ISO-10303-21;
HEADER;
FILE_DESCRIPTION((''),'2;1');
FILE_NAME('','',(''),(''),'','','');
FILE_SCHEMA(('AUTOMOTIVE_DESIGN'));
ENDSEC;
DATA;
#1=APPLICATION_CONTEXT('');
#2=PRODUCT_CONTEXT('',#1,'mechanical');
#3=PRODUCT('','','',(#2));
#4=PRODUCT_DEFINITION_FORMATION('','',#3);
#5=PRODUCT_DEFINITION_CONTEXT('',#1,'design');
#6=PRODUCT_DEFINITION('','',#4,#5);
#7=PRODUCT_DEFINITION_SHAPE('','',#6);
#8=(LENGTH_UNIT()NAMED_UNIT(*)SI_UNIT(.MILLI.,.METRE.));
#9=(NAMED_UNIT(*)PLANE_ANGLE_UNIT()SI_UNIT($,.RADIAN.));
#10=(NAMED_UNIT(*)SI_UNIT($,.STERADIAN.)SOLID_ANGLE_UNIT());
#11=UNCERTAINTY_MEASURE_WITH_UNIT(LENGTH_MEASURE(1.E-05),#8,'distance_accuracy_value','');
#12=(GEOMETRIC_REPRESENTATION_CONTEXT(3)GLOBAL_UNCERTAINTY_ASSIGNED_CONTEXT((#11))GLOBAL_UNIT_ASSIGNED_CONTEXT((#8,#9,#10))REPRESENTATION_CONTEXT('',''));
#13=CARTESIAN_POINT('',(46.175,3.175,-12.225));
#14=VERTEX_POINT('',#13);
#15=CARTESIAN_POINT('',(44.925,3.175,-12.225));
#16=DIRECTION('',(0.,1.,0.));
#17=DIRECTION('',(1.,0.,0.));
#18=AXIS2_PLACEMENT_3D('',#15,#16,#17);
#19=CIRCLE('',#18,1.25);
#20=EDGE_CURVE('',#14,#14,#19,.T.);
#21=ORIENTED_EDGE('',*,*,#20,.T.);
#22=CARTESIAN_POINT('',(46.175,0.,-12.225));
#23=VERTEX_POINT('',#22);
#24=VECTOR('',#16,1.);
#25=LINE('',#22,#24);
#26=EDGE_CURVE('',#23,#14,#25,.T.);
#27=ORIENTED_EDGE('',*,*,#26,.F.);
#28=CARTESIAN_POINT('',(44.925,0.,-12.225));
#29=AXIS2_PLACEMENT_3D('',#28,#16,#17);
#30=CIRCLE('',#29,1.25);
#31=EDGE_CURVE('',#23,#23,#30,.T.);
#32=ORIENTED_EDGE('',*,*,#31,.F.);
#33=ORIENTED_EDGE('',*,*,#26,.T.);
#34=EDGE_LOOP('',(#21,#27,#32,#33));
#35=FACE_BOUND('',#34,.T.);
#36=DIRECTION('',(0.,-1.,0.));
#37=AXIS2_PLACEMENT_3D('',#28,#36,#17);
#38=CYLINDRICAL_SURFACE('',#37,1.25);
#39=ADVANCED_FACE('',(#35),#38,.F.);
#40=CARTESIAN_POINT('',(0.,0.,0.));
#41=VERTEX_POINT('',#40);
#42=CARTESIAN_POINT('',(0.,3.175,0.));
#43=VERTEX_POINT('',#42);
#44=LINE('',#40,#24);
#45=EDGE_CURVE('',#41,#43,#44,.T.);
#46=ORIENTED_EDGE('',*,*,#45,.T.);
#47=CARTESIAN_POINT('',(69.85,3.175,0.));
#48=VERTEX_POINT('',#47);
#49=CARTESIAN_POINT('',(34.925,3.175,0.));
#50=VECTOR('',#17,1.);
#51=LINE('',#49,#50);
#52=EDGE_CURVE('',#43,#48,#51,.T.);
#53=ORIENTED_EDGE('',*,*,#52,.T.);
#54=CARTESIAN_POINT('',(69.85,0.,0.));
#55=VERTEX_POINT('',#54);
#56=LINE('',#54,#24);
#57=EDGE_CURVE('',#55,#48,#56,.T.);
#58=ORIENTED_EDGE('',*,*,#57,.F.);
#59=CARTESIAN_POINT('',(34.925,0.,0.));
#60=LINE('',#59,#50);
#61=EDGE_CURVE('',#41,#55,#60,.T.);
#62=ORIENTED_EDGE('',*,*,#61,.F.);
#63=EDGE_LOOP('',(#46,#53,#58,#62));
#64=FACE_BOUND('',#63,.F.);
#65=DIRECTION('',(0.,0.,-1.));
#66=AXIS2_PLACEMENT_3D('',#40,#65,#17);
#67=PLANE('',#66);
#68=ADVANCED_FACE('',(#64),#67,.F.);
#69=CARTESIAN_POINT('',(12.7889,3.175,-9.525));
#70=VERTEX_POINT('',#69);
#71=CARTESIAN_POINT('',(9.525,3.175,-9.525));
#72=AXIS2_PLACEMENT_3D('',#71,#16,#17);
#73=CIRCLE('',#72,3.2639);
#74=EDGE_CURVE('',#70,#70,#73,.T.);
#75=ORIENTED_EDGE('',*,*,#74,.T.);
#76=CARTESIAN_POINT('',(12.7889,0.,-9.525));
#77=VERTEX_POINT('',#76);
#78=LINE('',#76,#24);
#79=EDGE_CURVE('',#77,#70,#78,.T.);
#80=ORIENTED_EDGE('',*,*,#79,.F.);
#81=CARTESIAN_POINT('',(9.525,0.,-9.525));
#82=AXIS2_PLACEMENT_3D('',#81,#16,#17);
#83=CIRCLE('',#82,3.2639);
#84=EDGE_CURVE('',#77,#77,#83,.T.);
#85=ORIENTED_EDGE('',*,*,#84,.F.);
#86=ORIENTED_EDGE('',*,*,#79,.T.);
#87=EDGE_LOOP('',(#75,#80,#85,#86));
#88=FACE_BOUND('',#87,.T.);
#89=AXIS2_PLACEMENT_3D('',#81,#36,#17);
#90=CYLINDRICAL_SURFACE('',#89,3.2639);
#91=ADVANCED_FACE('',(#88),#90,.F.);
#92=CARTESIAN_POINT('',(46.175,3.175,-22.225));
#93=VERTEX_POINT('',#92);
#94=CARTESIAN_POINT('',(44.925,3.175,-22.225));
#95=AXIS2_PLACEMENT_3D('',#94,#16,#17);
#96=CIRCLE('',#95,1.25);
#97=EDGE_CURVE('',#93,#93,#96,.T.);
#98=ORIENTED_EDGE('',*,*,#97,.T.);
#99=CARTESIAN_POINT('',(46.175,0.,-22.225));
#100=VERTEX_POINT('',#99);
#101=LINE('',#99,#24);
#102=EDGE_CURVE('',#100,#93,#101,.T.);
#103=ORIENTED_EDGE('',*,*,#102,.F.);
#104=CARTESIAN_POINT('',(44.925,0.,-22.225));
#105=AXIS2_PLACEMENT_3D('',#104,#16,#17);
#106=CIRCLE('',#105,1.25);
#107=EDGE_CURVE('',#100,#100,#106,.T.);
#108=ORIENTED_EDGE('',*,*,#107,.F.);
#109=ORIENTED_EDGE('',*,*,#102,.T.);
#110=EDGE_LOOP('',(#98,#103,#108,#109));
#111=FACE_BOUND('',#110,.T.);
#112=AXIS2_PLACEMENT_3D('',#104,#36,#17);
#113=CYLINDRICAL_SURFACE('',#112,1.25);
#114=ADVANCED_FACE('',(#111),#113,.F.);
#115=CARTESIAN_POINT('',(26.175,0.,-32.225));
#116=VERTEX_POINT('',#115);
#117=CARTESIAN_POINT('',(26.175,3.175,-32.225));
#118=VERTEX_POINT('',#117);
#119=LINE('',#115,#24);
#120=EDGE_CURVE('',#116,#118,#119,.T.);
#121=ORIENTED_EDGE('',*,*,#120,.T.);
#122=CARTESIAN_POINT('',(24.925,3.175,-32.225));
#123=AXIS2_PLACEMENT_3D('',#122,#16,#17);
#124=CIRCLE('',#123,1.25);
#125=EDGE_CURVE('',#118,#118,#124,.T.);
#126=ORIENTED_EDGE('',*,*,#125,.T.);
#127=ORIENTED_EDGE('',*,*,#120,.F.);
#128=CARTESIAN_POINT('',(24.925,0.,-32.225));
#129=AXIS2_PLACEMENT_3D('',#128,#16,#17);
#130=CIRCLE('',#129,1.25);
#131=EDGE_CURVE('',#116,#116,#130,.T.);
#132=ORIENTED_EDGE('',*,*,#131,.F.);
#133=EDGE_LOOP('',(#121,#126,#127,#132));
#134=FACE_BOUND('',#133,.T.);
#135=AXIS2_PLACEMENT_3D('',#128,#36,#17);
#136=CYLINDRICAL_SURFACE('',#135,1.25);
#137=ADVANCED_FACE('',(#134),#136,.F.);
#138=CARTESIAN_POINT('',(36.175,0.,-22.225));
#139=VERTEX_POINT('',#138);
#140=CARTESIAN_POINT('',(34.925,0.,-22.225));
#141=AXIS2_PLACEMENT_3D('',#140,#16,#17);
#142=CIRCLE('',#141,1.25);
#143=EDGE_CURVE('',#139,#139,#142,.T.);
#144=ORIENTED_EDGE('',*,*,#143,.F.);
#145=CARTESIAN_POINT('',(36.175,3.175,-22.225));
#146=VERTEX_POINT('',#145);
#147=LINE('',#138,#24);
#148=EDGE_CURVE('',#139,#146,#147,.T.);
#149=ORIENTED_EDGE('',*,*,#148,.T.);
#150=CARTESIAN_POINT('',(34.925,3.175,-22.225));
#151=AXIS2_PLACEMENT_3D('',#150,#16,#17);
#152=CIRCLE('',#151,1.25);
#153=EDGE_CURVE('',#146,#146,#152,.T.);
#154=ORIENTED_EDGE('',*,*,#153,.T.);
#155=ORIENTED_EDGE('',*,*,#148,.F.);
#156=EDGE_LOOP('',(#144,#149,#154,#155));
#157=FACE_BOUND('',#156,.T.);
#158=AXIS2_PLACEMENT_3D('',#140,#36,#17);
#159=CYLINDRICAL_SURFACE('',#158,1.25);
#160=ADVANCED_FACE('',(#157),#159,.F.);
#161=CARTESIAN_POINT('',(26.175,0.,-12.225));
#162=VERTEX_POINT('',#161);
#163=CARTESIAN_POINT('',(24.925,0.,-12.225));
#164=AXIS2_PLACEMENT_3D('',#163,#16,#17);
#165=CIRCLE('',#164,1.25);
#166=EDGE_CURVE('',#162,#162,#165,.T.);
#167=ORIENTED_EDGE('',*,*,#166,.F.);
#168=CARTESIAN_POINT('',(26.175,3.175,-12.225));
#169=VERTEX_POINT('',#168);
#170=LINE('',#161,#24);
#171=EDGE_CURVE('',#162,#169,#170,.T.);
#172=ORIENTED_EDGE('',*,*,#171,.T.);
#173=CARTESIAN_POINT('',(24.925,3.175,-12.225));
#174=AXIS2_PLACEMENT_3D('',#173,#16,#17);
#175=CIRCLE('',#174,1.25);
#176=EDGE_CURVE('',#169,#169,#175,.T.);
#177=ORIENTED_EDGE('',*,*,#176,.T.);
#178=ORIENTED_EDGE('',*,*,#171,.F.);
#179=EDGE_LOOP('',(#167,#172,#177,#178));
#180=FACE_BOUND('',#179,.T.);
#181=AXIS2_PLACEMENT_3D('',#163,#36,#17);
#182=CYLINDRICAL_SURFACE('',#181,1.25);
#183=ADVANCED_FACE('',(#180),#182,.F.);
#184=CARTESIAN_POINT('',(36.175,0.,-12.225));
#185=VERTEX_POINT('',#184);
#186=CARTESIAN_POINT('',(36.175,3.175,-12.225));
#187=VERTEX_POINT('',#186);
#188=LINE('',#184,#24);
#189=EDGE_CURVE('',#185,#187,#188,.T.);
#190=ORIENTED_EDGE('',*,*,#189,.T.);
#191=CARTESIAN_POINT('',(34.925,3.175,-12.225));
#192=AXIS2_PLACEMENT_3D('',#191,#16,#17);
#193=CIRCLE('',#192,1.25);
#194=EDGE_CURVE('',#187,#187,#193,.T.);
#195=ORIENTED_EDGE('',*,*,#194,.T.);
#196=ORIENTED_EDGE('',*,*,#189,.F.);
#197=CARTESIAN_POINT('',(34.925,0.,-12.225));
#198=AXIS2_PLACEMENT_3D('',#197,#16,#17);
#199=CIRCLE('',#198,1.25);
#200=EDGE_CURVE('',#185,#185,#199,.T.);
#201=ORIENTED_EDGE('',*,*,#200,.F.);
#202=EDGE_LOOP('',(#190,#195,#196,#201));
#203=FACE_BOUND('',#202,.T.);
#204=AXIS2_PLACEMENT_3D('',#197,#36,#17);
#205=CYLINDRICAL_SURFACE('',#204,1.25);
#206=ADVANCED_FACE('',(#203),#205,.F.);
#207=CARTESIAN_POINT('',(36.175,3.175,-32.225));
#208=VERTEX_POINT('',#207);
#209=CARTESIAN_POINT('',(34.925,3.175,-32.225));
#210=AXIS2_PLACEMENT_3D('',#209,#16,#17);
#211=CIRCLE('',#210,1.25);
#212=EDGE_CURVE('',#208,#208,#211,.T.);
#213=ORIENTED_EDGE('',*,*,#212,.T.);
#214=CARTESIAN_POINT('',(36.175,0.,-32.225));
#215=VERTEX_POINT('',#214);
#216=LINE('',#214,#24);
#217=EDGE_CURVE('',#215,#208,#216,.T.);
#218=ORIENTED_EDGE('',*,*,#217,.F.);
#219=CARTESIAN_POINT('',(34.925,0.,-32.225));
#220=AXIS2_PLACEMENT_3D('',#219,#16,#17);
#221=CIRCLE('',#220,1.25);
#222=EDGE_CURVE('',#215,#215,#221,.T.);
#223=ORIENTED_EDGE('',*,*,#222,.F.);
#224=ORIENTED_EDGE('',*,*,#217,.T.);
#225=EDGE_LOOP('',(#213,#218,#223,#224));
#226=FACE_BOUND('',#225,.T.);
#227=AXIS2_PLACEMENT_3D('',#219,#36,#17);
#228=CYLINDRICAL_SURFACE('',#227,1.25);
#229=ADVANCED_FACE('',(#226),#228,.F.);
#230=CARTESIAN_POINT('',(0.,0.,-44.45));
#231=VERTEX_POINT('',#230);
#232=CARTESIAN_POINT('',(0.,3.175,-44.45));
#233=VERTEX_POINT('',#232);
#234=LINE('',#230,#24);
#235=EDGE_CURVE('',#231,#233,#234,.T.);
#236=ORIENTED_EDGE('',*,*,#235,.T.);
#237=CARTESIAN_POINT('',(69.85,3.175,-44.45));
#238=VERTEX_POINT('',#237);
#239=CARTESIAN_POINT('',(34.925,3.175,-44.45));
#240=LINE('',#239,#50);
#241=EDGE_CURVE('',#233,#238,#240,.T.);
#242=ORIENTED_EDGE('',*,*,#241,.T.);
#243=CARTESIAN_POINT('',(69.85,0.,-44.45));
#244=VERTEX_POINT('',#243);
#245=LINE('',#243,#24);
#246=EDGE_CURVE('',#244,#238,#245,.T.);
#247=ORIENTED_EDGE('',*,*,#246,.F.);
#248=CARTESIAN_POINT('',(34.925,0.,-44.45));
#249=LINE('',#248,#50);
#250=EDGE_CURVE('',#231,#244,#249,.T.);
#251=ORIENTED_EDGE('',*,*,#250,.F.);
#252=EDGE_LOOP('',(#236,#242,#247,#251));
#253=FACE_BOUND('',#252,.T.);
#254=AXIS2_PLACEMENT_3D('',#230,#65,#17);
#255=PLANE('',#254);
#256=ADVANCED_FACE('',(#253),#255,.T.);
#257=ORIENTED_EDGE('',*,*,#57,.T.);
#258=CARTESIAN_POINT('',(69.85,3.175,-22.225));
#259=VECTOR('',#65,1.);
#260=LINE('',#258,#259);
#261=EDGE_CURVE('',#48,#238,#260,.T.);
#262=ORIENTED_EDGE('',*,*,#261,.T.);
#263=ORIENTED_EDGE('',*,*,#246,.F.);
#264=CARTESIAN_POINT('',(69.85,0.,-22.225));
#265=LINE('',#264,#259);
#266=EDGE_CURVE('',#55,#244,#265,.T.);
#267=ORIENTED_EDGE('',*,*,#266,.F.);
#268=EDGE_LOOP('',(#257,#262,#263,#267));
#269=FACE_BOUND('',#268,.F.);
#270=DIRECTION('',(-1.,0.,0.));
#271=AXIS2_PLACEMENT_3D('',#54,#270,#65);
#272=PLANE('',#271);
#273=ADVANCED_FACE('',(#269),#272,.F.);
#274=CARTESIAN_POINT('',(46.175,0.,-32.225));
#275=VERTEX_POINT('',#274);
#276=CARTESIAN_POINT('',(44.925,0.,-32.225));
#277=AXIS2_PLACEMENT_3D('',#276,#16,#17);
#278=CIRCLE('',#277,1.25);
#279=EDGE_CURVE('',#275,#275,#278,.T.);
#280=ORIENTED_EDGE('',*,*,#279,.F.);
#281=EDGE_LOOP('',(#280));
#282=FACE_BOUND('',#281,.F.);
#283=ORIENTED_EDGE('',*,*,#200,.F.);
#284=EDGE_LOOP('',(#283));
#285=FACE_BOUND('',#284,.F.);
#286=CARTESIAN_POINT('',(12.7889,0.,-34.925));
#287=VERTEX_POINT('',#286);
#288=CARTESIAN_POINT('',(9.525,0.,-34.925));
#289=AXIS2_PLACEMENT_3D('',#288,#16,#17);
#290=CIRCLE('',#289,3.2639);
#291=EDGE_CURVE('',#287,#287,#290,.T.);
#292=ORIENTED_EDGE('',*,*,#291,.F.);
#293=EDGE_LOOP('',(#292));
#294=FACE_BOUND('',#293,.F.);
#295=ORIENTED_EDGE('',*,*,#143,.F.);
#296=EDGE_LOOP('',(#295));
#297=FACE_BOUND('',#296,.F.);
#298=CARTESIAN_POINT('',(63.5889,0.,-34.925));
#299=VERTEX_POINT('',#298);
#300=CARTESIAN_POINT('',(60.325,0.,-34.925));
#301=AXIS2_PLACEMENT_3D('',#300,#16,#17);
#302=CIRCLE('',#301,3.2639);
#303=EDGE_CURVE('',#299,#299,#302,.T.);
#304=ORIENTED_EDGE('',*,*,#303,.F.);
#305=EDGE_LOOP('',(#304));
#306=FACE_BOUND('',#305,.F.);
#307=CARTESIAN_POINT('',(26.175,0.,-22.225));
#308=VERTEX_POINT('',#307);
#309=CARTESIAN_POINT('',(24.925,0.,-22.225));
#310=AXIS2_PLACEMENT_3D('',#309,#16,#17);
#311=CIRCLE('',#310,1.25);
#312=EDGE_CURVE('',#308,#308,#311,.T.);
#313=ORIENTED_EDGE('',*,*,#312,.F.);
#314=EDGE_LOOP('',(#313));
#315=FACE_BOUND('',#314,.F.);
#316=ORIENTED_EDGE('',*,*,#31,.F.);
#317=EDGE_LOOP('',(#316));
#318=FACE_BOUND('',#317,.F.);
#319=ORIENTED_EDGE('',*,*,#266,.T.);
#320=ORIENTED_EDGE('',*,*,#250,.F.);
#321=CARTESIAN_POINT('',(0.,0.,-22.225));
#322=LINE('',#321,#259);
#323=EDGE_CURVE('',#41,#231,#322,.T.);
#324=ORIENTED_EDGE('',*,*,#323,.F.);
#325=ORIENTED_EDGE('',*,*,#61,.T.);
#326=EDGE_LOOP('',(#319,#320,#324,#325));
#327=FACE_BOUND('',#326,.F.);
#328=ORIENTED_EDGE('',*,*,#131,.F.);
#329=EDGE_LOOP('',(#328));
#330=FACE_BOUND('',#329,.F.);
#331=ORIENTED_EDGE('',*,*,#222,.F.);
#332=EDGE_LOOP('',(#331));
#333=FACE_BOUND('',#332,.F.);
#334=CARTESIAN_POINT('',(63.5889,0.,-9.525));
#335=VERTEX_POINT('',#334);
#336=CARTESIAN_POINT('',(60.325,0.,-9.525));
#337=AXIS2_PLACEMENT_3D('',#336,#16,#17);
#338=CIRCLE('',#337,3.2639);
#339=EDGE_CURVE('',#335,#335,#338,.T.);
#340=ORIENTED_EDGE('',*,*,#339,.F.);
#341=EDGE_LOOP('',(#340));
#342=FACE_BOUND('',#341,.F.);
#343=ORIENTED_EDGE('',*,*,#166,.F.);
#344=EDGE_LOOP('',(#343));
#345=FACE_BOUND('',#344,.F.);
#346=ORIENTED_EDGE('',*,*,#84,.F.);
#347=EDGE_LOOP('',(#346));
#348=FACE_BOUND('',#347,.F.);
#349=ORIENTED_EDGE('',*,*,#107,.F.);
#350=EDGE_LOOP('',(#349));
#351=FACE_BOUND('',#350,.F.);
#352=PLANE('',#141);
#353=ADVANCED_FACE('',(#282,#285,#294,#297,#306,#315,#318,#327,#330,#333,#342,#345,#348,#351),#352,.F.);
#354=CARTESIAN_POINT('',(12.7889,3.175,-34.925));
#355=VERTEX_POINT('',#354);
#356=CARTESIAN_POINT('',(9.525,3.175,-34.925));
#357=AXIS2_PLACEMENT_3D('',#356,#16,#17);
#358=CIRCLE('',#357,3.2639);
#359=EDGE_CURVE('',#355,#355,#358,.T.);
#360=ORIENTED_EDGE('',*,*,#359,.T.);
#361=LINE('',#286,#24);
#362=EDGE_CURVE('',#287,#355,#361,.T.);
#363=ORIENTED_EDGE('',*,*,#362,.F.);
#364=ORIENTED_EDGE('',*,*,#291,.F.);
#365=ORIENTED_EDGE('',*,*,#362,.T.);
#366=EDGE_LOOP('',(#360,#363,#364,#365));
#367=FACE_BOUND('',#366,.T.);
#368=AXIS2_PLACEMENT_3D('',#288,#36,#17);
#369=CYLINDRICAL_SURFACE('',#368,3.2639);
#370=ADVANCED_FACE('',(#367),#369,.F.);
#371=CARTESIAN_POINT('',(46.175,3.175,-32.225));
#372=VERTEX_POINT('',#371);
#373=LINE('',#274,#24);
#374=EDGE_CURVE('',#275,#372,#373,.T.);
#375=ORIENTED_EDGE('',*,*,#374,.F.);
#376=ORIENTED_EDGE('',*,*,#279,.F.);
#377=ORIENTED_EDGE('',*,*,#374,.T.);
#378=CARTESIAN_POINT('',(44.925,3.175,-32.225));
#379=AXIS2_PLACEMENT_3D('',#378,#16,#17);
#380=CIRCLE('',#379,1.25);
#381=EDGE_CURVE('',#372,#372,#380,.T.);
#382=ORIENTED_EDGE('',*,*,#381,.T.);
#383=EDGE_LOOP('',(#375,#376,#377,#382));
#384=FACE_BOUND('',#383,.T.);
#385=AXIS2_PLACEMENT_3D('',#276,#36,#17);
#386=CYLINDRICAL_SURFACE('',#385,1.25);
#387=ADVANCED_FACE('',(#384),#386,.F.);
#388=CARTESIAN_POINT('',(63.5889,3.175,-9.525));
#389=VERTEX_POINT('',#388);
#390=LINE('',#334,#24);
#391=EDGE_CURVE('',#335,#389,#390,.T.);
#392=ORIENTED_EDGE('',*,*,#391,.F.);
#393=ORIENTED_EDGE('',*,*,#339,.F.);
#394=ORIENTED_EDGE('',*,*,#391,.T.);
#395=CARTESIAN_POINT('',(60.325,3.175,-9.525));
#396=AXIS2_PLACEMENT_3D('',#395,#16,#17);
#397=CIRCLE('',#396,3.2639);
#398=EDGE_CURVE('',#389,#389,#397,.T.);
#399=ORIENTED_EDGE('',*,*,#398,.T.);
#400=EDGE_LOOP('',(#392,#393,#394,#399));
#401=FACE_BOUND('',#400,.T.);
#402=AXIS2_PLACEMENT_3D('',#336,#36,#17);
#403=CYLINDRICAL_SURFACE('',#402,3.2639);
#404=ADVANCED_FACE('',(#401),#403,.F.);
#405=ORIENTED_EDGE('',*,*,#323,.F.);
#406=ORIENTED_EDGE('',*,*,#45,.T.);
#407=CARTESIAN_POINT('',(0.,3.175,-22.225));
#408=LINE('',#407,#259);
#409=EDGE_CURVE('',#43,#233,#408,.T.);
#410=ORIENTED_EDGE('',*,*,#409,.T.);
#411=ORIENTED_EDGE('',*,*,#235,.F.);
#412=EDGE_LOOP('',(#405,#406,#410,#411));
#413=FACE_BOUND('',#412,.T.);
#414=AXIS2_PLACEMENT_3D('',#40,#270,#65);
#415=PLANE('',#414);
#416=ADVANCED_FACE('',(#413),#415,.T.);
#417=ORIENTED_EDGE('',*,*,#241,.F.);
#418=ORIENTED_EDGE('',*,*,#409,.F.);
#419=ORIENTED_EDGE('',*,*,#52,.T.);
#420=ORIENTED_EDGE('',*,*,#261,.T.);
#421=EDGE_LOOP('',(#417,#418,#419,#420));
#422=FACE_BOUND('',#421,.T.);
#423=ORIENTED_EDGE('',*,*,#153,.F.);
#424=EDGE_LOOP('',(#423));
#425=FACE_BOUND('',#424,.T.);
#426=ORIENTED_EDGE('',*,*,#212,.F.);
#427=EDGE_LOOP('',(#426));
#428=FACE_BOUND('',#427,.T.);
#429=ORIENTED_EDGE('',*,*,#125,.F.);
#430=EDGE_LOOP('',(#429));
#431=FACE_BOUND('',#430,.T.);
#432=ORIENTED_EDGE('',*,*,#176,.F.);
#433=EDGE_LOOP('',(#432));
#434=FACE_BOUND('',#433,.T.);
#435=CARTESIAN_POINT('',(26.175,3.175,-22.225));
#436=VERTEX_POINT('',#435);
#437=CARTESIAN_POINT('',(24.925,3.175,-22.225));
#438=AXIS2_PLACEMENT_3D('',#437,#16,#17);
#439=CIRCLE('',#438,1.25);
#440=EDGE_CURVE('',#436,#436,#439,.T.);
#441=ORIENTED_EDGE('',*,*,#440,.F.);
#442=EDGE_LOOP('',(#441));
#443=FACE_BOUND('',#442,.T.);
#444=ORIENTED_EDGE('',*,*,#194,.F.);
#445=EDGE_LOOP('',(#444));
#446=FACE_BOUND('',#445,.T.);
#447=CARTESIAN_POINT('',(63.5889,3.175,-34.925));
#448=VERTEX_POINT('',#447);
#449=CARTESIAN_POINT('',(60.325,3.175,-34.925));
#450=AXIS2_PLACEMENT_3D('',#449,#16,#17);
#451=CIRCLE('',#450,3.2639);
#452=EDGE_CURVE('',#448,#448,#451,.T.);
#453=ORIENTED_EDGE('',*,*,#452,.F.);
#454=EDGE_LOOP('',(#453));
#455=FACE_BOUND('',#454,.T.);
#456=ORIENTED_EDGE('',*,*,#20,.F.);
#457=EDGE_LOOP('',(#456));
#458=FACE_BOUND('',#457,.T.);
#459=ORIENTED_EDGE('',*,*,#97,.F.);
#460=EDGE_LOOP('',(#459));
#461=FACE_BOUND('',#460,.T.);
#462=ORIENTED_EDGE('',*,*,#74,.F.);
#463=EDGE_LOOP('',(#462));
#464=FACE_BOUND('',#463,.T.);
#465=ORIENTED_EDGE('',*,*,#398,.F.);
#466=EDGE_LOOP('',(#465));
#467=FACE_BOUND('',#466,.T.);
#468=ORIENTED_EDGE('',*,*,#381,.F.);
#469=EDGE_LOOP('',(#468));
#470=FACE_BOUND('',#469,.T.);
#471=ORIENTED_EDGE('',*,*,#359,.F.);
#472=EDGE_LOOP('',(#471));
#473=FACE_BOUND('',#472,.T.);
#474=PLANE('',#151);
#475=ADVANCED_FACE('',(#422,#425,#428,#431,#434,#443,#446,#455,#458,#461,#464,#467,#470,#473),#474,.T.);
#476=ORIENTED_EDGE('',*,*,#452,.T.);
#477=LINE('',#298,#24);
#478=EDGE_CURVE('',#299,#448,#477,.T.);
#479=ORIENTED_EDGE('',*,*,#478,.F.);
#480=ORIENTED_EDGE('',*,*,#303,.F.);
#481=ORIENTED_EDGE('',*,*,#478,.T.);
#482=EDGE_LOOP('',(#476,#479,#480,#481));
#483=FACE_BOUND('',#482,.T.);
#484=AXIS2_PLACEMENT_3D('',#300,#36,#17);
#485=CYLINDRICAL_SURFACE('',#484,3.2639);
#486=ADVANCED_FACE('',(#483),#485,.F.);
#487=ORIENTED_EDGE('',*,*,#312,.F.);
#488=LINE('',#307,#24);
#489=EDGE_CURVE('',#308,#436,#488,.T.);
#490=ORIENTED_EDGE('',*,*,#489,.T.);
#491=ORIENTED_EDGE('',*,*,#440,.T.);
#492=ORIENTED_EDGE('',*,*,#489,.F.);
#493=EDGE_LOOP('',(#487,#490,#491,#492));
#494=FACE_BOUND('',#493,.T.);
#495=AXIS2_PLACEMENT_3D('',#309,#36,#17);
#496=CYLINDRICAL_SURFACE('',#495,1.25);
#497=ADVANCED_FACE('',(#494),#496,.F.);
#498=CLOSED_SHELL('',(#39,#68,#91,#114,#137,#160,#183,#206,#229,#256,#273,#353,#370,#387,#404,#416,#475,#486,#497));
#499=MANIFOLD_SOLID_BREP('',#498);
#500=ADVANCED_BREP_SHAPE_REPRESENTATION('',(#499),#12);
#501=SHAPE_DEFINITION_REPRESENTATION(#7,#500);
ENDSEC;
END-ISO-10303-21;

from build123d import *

# Parameters (mm, degrees)
SKETCH1_W           = 69.85
SKETCH1_H           = 44.45
SKETCH1_R           = 1.25
SKETCH1_R_2         = 3.2639
BOSS_EXTRUDE1_DEPTH = 3.175


with BuildPart() as part:
    # Sketch1 → Boss-Extrude1 (new body)
    with BuildSketch(Plane(origin=(0, 0, 0), x_dir=(1, 0, 0), z_dir=(0, 1, 0))):
        with Locations((34.925, 22.225)):
            Rectangle(SKETCH1_W, SKETCH1_H)
        with Locations((24.925, 12.225)):
            Circle(SKETCH1_R, mode=Mode.SUBTRACT)
        with Locations((34.925, 12.225)):
            Circle(SKETCH1_R, mode=Mode.SUBTRACT)
        with Locations((44.925, 12.225)):
            Circle(SKETCH1_R, mode=Mode.SUBTRACT)
        with Locations((24.925, 32.225)):
            Circle(SKETCH1_R, mode=Mode.SUBTRACT)
        with Locations((24.925, 22.225)):
            Circle(SKETCH1_R, mode=Mode.SUBTRACT)
        with Locations((34.925, 32.225)):
            Circle(SKETCH1_R, mode=Mode.SUBTRACT)
        with Locations((44.925, 32.225)):
            Circle(SKETCH1_R, mode=Mode.SUBTRACT)
        with Locations((44.925, 22.225)):
            Circle(SKETCH1_R, mode=Mode.SUBTRACT)
        with Locations((34.925, 22.225)):
            Circle(SKETCH1_R, mode=Mode.SUBTRACT)
        with Locations((60.325, 9.525)):
            Circle(SKETCH1_R_2, mode=Mode.SUBTRACT)
        with Locations((9.525, 9.525)):
            Circle(SKETCH1_R_2, mode=Mode.SUBTRACT)
        with Locations((60.325, 34.925)):
            Circle(SKETCH1_R_2, mode=Mode.SUBTRACT)
        with Locations((9.525, 34.925)):
            Circle(SKETCH1_R_2, mode=Mode.SUBTRACT)
    extrude(amount=BOSS_EXTRUDE1_DEPTH)


solid = part.part
